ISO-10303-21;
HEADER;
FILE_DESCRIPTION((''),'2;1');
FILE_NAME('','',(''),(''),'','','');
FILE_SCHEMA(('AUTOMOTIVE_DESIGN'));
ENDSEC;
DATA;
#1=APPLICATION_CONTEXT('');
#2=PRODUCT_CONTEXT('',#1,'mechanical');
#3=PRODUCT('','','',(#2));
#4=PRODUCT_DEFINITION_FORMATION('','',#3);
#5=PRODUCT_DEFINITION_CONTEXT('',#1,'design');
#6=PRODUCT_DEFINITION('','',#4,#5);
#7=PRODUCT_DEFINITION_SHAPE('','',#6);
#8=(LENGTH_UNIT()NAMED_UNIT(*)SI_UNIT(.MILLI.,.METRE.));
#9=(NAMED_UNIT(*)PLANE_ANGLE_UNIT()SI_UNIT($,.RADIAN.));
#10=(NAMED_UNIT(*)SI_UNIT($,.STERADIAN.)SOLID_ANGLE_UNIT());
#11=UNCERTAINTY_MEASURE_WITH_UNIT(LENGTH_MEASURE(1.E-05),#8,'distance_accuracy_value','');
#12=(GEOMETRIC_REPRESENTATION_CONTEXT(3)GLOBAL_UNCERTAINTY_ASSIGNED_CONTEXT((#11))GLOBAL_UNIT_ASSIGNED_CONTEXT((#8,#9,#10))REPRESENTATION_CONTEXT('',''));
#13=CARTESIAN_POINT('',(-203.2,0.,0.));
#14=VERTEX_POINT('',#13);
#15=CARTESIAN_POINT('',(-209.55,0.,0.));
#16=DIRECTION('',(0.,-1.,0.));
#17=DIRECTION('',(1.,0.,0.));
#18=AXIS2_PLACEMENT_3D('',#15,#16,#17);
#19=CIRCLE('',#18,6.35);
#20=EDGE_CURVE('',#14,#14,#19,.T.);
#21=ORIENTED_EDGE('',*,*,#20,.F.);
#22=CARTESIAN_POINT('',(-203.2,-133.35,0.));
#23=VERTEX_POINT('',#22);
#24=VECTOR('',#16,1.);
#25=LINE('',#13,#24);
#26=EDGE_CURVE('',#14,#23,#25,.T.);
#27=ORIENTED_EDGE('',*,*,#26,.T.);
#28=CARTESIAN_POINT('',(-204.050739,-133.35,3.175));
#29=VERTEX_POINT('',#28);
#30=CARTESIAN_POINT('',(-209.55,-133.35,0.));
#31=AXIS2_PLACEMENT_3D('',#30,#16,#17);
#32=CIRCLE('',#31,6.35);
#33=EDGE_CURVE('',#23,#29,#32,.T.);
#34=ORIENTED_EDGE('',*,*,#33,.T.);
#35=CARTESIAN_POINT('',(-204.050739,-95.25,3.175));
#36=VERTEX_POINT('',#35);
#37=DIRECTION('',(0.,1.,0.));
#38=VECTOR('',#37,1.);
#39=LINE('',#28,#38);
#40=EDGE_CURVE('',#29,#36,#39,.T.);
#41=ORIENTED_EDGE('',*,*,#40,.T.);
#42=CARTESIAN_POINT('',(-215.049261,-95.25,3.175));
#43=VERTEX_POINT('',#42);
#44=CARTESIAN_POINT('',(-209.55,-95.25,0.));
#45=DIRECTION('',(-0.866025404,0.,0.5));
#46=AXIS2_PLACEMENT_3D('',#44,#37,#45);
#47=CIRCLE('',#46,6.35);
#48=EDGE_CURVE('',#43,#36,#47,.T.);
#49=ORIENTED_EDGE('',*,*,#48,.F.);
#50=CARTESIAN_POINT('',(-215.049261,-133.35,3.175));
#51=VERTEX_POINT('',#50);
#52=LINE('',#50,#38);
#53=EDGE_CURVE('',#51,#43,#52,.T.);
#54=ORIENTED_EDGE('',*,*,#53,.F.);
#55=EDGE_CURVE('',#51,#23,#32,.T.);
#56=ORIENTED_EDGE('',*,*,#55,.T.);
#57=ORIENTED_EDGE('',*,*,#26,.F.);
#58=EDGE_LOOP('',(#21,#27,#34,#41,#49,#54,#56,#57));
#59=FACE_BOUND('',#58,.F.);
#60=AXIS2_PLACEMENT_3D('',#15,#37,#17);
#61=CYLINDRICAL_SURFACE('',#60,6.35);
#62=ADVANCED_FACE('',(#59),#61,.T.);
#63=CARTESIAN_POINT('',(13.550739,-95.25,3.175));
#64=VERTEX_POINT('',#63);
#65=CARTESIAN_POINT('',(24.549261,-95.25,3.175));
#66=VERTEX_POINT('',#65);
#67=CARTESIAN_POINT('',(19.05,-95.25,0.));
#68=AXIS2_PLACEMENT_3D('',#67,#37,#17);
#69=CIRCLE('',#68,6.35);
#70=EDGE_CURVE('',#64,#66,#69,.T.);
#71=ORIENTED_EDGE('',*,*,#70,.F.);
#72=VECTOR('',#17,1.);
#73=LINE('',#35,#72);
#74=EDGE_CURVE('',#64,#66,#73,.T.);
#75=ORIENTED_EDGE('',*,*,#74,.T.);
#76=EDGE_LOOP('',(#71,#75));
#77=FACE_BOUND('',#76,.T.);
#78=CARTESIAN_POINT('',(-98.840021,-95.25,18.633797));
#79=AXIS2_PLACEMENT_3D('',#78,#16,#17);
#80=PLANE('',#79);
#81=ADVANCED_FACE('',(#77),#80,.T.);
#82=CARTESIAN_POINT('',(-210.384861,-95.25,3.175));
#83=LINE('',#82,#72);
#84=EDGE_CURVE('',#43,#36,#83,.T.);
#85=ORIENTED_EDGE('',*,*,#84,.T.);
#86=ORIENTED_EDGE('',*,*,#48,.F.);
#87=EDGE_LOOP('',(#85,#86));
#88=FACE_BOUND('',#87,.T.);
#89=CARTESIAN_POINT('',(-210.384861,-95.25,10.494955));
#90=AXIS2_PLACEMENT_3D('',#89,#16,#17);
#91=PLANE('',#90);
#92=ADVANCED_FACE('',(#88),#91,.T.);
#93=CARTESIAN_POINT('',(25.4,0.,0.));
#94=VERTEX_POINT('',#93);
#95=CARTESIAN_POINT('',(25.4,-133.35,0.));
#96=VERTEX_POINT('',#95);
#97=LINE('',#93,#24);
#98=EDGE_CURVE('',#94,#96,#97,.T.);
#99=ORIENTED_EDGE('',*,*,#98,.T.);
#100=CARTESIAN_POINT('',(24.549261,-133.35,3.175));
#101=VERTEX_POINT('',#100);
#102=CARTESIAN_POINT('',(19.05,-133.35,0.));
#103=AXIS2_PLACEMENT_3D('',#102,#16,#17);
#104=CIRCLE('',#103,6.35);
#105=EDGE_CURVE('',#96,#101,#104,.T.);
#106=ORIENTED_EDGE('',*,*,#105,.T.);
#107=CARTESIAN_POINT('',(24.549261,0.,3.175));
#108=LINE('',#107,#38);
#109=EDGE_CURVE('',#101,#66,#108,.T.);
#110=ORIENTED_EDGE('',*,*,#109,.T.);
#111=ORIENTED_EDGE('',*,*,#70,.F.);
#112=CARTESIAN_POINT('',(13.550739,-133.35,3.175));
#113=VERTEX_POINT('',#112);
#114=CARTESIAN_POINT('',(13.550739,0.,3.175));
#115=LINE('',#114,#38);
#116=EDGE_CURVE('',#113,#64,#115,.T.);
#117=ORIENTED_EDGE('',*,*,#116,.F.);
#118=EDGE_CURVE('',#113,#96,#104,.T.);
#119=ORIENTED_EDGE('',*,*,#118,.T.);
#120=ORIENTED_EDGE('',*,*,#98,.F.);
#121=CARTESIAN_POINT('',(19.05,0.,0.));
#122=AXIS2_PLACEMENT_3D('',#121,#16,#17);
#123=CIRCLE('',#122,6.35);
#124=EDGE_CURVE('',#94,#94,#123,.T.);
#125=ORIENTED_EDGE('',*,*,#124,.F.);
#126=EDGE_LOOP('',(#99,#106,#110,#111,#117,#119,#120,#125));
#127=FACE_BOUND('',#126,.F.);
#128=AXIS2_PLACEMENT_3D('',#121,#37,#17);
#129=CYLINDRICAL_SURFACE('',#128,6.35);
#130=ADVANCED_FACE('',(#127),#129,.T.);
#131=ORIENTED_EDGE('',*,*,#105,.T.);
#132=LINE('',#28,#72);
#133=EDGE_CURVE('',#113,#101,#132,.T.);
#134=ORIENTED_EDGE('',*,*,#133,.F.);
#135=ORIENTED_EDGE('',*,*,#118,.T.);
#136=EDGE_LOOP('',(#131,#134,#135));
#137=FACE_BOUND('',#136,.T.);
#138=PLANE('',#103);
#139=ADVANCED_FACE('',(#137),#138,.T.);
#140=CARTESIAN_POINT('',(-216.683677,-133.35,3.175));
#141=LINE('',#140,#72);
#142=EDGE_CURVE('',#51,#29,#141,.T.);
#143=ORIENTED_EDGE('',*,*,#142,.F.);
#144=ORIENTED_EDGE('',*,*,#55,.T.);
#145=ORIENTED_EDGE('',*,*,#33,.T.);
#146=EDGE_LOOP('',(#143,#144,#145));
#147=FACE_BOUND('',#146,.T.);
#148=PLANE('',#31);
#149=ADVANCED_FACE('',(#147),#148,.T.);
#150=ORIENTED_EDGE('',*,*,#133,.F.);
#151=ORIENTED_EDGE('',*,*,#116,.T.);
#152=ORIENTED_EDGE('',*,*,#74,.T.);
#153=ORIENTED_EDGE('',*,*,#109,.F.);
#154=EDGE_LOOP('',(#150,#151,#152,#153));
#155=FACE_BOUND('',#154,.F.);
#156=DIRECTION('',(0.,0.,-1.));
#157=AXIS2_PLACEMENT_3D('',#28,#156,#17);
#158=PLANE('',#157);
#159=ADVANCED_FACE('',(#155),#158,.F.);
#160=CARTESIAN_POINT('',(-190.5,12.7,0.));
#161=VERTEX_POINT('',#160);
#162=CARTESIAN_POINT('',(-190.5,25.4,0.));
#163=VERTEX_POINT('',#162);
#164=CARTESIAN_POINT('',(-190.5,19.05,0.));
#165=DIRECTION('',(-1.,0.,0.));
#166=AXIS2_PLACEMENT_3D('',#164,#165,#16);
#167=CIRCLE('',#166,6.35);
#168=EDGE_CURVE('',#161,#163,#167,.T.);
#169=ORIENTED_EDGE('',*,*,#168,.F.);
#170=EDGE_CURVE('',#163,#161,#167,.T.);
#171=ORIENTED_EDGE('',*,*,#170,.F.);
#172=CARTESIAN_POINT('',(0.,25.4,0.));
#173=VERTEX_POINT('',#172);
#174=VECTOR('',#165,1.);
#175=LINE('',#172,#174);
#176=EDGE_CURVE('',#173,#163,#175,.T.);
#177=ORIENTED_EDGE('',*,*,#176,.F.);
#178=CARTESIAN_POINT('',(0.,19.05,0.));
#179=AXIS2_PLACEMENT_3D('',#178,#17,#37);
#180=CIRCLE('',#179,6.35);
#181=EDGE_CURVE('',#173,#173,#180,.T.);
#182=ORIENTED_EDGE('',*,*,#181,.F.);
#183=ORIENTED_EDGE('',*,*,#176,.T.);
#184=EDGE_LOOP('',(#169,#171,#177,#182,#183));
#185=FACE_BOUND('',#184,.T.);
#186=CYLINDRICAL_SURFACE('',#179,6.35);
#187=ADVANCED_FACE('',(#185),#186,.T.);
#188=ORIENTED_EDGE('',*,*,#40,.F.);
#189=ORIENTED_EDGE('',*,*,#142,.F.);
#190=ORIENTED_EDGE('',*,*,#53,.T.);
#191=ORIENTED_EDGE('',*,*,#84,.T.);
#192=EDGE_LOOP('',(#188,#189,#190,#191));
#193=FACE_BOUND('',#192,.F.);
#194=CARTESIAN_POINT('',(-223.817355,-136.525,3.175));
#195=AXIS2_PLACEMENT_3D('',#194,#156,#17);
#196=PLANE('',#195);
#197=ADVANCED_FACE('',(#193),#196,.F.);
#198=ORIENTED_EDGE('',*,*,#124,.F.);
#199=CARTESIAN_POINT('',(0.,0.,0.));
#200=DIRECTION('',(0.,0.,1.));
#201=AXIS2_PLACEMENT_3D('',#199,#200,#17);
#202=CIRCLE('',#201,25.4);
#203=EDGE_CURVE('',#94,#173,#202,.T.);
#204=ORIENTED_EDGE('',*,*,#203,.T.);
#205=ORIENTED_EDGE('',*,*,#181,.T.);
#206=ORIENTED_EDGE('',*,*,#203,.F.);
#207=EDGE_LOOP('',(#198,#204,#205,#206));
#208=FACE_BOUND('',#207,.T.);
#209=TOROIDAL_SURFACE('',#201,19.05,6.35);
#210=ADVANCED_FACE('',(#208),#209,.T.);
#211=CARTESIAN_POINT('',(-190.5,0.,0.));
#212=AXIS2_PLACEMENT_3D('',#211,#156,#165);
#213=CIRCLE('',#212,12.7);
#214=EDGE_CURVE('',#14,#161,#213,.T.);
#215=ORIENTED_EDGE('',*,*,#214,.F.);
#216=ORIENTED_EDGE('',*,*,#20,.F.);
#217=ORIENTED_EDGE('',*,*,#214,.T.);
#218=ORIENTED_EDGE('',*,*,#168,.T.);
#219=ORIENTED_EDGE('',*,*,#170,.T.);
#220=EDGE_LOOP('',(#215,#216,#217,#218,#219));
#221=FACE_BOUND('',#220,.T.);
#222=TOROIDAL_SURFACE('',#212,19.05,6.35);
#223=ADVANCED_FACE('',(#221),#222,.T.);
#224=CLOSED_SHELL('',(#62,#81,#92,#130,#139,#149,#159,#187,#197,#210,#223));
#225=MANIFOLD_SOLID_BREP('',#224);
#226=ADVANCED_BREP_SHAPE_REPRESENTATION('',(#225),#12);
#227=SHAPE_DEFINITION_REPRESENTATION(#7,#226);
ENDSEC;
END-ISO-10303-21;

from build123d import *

# Parameters (mm, degrees)
F0_R      = 6.35
F1_ANGLE  = 90
F2_R      = 6.35
F3_ANGLE  = 90
F4_DEPTH  = 190.5
F5_DEPTH  = 133.35
F6_DEPTH  = 133.35
F8_DEPTH  = 38.1
F11_W     = 26.8649879572
F11_H     = 14.6399100293
F12_DEPTH = 41.275


with BuildPart() as f1:
    # F0 (on Front) → F1 (revolve)
    with BuildSketch(Plane.XZ):
        with Locations((19.05, 0)):
            Circle(F0_R)
    revolve(axis=Axis((0, 0, 21.6534970575), (0, 0, 1)), revolution_arc=F1_ANGLE)

    # F4 (add, through all): a face of the model
    f4_faces = [f1.faces().sort_by_distance(p)[0] for p in [
        (0, 19.05, 0),
    ]]


with BuildPart() as f3:
    # F2 (on Front) → F3 (revolve)
    with BuildSketch(Plane.XZ):
        with Locations((-209.55, 0)):
            Circle(F2_R)
    revolve(axis=Axis((-190.5, 0, 30.7127628475), (0, 0, -1)), revolution_arc=F3_ANGLE)


with BuildPart() as f1_1:
    add(f1.part)

    add(f3.part)  # F4 merges F3
    extrude(f4_faces, amount=F4_DEPTH)

    # F5 (add): a face of the model
    f5_faces = [f1_1.faces().sort_by_distance(p)[0] for p in [
        (19.05, 0, 0),
    ]]
    extrude(f5_faces, amount=F5_DEPTH)

    # F6 (add): a face of the model
    f6_faces = [f1_1.faces().sort_by_distance(p)[0] for p in [
        (-209.55, 0, 0),
    ]]
    extrude(f6_faces, amount=F6_DEPTH)

    # F7 (on face) → F8 (cut)
    with BuildSketch(Plane.XZ.offset(133.35)):
        with BuildLine():
            Line((33.0460654503, 34.1169642213), (-229.9606265432, 34.1169642213))
            Line((-229.9606265432, 34.1169642213), (-229.9606265432, 3.175))
            Line((-229.9606265432, 3.175), (-215.049261314, 3.175))
            ThreePointArc((-215.049261314, 3.175), (-209.55, 6.35), (-204.050738686, 3.175))
            Line((-204.050738686, 3.175), (33.0460654503, 3.175))
            Line((33.0460654503, 3.175), (33.0460654503, 34.1169642213))
        make_face()
    extrude(amount=-F8_DEPTH, mode=Mode.SUBTRACT)

    # F11 (on offset) → F12 (cut)
    with BuildSketch(Plane.XZ.offset(136.525)):
        with Locations((-210.3848606348, 10.4949550146)):
            Rectangle(F11_W, F11_H)
    extrude(amount=-F12_DEPTH, mode=Mode.SUBTRACT)


solid = f1_1.part
